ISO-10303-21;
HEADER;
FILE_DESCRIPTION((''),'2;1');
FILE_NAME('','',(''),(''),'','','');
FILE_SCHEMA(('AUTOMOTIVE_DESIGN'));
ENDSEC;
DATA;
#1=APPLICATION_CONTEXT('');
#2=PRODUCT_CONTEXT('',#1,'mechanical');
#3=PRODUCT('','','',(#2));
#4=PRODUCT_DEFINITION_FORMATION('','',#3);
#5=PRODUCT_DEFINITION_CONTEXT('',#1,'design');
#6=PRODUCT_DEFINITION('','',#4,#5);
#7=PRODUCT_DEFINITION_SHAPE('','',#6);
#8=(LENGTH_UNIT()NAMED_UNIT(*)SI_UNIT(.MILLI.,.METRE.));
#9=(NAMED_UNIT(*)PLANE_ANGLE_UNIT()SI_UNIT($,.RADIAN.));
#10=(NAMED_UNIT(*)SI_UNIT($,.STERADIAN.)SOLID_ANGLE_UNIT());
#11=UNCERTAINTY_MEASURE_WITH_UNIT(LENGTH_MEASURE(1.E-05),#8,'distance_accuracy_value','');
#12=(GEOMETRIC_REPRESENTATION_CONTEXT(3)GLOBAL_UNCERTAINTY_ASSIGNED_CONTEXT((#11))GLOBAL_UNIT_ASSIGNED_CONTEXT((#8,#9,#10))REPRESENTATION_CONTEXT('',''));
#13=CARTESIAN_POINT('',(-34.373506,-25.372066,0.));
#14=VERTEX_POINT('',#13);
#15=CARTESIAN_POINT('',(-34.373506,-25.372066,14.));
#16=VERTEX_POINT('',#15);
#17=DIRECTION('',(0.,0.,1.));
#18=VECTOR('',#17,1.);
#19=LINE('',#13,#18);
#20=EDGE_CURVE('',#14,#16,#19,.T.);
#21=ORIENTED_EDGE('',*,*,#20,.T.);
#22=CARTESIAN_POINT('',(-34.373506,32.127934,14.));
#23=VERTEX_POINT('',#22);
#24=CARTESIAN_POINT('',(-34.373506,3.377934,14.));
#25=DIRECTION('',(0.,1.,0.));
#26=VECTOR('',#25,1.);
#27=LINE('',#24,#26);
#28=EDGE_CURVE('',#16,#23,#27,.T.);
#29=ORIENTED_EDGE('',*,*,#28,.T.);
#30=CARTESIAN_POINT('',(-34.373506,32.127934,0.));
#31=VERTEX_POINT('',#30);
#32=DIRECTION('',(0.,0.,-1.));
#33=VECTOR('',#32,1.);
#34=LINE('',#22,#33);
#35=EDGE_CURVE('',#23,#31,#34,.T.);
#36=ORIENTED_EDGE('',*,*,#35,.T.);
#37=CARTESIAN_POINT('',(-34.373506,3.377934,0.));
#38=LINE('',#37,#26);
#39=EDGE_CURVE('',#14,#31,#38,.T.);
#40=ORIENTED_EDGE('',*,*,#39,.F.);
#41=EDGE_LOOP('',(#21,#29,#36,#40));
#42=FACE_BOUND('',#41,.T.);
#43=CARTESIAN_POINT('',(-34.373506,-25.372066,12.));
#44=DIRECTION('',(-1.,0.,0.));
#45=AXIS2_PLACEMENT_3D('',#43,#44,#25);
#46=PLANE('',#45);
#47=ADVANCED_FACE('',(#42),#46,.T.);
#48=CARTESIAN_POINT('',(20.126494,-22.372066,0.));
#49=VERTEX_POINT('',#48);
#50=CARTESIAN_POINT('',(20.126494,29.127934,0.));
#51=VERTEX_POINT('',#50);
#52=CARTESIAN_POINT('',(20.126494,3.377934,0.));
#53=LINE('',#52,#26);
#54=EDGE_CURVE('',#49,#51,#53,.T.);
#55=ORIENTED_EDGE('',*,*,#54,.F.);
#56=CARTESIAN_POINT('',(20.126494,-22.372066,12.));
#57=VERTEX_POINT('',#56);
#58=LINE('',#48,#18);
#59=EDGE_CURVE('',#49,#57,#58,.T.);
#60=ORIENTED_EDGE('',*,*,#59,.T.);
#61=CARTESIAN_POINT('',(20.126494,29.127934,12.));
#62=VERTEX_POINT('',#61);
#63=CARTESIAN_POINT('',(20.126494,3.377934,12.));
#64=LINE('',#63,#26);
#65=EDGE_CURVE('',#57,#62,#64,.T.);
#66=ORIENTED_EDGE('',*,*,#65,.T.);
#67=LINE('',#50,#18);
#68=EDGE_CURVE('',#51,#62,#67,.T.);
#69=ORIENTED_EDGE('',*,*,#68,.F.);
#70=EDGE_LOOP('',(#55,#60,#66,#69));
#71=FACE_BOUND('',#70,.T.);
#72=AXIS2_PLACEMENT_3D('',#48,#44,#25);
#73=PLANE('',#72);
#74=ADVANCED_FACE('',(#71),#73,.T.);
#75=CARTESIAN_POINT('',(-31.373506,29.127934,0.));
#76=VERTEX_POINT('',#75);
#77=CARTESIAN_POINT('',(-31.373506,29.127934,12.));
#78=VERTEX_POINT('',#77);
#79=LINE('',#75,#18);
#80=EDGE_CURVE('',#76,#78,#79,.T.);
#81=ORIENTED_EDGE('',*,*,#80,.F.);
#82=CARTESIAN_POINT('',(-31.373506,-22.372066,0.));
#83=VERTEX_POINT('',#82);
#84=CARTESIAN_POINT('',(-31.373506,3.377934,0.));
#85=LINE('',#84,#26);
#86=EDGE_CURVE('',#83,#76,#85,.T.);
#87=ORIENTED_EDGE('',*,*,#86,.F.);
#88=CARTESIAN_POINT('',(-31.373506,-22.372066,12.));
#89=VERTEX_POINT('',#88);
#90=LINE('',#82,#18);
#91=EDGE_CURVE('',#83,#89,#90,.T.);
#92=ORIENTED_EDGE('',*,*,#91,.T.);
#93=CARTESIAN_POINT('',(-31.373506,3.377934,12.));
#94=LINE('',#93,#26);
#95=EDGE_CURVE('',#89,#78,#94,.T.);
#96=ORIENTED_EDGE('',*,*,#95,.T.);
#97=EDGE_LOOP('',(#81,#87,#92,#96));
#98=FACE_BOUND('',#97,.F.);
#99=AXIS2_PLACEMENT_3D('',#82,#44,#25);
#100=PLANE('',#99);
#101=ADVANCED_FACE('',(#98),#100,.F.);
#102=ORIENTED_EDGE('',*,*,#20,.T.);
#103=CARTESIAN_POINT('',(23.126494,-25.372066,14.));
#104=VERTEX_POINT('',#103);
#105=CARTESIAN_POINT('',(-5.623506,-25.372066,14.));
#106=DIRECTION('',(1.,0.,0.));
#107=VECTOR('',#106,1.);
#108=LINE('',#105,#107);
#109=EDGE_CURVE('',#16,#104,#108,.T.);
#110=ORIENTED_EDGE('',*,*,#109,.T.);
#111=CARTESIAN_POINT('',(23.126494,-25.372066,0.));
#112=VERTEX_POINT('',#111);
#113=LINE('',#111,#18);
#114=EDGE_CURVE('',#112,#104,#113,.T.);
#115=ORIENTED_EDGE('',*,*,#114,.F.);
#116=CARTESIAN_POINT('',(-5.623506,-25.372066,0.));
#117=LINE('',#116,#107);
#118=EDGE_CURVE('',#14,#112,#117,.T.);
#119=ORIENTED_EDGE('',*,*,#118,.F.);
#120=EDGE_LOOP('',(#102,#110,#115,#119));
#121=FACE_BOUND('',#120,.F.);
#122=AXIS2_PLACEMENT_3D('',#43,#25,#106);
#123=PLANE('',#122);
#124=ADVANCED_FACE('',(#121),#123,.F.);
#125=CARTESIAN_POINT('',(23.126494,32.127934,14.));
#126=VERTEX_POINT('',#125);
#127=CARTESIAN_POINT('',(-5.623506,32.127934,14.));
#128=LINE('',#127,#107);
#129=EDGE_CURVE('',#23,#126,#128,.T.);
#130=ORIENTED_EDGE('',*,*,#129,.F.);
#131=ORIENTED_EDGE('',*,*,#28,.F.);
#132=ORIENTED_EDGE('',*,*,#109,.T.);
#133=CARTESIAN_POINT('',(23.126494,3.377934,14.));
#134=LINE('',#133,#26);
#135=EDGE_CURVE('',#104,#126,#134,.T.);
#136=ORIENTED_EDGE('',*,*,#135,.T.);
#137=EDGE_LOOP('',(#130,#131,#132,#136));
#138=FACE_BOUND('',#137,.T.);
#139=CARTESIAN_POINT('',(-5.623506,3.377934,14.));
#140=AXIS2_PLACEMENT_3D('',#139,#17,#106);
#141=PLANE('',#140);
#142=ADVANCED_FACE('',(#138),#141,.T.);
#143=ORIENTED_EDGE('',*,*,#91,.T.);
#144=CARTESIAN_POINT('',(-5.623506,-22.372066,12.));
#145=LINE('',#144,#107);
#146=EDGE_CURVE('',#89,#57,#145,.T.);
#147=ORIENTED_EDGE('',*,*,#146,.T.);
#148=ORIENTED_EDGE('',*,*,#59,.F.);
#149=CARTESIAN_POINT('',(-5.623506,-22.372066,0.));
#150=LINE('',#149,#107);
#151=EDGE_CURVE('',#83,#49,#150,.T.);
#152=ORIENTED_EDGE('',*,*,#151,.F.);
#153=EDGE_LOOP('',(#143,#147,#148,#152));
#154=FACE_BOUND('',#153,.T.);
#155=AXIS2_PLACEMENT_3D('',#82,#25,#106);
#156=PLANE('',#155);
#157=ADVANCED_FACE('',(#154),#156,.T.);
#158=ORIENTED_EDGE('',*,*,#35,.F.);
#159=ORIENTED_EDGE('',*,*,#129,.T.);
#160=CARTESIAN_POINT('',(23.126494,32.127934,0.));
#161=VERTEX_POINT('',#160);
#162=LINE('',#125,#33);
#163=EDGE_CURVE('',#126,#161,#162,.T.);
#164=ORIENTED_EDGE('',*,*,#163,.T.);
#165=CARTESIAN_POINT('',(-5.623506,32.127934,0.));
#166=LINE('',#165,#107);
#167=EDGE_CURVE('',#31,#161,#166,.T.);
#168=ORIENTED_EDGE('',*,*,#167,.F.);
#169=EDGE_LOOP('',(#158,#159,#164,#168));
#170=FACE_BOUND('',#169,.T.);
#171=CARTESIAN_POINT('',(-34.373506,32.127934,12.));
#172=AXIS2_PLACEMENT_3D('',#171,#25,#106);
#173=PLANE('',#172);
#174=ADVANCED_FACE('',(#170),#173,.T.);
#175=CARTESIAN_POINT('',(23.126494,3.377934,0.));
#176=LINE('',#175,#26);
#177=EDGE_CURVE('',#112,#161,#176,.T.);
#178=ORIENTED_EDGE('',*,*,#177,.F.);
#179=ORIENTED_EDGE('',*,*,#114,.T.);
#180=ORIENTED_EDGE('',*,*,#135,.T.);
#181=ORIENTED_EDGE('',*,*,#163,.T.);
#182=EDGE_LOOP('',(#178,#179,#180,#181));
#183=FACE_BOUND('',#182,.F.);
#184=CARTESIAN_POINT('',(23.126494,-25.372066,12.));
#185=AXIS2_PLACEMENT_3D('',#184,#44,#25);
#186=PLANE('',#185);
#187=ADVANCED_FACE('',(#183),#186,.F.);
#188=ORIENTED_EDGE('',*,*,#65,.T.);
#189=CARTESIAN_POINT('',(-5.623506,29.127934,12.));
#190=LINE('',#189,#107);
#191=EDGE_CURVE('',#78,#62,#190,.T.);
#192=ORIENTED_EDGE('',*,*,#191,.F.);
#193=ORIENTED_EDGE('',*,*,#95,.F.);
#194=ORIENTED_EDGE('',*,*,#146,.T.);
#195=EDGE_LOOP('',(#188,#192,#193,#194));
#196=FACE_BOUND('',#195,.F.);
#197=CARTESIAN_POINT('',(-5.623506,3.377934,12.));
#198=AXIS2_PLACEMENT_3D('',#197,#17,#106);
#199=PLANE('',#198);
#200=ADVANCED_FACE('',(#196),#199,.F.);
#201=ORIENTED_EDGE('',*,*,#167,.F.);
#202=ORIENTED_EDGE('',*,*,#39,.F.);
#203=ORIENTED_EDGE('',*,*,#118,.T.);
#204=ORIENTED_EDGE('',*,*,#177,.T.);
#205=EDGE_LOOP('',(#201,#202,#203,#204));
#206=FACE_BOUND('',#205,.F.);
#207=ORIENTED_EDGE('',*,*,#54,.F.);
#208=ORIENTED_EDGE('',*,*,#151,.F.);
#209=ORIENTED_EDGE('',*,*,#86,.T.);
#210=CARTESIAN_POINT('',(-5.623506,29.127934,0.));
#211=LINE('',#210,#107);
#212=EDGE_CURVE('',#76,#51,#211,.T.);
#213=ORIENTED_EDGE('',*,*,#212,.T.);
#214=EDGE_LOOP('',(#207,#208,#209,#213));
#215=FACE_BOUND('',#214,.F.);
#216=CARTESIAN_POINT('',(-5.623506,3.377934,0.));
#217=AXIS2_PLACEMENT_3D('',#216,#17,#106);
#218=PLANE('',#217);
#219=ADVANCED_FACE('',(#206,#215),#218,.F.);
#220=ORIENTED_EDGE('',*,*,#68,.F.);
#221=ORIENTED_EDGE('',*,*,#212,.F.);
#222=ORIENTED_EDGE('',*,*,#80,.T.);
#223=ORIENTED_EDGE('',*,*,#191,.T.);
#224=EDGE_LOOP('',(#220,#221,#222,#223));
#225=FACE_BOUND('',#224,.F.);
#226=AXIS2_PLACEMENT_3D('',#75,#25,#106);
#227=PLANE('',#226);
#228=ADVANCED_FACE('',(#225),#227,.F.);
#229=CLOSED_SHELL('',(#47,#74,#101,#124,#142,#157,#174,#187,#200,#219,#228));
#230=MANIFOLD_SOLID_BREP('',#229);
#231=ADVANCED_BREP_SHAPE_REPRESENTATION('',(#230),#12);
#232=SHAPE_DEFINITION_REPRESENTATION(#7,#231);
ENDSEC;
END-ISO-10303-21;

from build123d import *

# Parameters (mm, degrees)
F0_W     = 57.5
F0_H     = 57.5
F0_W_2   = 51.5
F0_H_2   = 51.5
F1_DEPTH = 12
F2_W     = 57.5
F2_H     = 57.5
F3_DEPTH = 2


with BuildPart() as f1:
    # F0 (on Top) → F1 (new body)
    with BuildSketch(Plane.XY):
        with Locations((-5.623506, 3.377934)):
            Rectangle(F0_W, F0_H)
        with Locations((-5.623506, 3.377934)):
            Rectangle(F0_W_2, F0_H_2, mode=Mode.SUBTRACT)
    extrude(amount=F1_DEPTH)

    # F2 (on face) → F3 (join)
    with BuildSketch(Plane.XY.offset(12)):
        with Locations((-5.623506, 3.377934)):
            Rectangle(F2_W, F2_H)
    extrude(amount=F3_DEPTH)


solid = f1.part
